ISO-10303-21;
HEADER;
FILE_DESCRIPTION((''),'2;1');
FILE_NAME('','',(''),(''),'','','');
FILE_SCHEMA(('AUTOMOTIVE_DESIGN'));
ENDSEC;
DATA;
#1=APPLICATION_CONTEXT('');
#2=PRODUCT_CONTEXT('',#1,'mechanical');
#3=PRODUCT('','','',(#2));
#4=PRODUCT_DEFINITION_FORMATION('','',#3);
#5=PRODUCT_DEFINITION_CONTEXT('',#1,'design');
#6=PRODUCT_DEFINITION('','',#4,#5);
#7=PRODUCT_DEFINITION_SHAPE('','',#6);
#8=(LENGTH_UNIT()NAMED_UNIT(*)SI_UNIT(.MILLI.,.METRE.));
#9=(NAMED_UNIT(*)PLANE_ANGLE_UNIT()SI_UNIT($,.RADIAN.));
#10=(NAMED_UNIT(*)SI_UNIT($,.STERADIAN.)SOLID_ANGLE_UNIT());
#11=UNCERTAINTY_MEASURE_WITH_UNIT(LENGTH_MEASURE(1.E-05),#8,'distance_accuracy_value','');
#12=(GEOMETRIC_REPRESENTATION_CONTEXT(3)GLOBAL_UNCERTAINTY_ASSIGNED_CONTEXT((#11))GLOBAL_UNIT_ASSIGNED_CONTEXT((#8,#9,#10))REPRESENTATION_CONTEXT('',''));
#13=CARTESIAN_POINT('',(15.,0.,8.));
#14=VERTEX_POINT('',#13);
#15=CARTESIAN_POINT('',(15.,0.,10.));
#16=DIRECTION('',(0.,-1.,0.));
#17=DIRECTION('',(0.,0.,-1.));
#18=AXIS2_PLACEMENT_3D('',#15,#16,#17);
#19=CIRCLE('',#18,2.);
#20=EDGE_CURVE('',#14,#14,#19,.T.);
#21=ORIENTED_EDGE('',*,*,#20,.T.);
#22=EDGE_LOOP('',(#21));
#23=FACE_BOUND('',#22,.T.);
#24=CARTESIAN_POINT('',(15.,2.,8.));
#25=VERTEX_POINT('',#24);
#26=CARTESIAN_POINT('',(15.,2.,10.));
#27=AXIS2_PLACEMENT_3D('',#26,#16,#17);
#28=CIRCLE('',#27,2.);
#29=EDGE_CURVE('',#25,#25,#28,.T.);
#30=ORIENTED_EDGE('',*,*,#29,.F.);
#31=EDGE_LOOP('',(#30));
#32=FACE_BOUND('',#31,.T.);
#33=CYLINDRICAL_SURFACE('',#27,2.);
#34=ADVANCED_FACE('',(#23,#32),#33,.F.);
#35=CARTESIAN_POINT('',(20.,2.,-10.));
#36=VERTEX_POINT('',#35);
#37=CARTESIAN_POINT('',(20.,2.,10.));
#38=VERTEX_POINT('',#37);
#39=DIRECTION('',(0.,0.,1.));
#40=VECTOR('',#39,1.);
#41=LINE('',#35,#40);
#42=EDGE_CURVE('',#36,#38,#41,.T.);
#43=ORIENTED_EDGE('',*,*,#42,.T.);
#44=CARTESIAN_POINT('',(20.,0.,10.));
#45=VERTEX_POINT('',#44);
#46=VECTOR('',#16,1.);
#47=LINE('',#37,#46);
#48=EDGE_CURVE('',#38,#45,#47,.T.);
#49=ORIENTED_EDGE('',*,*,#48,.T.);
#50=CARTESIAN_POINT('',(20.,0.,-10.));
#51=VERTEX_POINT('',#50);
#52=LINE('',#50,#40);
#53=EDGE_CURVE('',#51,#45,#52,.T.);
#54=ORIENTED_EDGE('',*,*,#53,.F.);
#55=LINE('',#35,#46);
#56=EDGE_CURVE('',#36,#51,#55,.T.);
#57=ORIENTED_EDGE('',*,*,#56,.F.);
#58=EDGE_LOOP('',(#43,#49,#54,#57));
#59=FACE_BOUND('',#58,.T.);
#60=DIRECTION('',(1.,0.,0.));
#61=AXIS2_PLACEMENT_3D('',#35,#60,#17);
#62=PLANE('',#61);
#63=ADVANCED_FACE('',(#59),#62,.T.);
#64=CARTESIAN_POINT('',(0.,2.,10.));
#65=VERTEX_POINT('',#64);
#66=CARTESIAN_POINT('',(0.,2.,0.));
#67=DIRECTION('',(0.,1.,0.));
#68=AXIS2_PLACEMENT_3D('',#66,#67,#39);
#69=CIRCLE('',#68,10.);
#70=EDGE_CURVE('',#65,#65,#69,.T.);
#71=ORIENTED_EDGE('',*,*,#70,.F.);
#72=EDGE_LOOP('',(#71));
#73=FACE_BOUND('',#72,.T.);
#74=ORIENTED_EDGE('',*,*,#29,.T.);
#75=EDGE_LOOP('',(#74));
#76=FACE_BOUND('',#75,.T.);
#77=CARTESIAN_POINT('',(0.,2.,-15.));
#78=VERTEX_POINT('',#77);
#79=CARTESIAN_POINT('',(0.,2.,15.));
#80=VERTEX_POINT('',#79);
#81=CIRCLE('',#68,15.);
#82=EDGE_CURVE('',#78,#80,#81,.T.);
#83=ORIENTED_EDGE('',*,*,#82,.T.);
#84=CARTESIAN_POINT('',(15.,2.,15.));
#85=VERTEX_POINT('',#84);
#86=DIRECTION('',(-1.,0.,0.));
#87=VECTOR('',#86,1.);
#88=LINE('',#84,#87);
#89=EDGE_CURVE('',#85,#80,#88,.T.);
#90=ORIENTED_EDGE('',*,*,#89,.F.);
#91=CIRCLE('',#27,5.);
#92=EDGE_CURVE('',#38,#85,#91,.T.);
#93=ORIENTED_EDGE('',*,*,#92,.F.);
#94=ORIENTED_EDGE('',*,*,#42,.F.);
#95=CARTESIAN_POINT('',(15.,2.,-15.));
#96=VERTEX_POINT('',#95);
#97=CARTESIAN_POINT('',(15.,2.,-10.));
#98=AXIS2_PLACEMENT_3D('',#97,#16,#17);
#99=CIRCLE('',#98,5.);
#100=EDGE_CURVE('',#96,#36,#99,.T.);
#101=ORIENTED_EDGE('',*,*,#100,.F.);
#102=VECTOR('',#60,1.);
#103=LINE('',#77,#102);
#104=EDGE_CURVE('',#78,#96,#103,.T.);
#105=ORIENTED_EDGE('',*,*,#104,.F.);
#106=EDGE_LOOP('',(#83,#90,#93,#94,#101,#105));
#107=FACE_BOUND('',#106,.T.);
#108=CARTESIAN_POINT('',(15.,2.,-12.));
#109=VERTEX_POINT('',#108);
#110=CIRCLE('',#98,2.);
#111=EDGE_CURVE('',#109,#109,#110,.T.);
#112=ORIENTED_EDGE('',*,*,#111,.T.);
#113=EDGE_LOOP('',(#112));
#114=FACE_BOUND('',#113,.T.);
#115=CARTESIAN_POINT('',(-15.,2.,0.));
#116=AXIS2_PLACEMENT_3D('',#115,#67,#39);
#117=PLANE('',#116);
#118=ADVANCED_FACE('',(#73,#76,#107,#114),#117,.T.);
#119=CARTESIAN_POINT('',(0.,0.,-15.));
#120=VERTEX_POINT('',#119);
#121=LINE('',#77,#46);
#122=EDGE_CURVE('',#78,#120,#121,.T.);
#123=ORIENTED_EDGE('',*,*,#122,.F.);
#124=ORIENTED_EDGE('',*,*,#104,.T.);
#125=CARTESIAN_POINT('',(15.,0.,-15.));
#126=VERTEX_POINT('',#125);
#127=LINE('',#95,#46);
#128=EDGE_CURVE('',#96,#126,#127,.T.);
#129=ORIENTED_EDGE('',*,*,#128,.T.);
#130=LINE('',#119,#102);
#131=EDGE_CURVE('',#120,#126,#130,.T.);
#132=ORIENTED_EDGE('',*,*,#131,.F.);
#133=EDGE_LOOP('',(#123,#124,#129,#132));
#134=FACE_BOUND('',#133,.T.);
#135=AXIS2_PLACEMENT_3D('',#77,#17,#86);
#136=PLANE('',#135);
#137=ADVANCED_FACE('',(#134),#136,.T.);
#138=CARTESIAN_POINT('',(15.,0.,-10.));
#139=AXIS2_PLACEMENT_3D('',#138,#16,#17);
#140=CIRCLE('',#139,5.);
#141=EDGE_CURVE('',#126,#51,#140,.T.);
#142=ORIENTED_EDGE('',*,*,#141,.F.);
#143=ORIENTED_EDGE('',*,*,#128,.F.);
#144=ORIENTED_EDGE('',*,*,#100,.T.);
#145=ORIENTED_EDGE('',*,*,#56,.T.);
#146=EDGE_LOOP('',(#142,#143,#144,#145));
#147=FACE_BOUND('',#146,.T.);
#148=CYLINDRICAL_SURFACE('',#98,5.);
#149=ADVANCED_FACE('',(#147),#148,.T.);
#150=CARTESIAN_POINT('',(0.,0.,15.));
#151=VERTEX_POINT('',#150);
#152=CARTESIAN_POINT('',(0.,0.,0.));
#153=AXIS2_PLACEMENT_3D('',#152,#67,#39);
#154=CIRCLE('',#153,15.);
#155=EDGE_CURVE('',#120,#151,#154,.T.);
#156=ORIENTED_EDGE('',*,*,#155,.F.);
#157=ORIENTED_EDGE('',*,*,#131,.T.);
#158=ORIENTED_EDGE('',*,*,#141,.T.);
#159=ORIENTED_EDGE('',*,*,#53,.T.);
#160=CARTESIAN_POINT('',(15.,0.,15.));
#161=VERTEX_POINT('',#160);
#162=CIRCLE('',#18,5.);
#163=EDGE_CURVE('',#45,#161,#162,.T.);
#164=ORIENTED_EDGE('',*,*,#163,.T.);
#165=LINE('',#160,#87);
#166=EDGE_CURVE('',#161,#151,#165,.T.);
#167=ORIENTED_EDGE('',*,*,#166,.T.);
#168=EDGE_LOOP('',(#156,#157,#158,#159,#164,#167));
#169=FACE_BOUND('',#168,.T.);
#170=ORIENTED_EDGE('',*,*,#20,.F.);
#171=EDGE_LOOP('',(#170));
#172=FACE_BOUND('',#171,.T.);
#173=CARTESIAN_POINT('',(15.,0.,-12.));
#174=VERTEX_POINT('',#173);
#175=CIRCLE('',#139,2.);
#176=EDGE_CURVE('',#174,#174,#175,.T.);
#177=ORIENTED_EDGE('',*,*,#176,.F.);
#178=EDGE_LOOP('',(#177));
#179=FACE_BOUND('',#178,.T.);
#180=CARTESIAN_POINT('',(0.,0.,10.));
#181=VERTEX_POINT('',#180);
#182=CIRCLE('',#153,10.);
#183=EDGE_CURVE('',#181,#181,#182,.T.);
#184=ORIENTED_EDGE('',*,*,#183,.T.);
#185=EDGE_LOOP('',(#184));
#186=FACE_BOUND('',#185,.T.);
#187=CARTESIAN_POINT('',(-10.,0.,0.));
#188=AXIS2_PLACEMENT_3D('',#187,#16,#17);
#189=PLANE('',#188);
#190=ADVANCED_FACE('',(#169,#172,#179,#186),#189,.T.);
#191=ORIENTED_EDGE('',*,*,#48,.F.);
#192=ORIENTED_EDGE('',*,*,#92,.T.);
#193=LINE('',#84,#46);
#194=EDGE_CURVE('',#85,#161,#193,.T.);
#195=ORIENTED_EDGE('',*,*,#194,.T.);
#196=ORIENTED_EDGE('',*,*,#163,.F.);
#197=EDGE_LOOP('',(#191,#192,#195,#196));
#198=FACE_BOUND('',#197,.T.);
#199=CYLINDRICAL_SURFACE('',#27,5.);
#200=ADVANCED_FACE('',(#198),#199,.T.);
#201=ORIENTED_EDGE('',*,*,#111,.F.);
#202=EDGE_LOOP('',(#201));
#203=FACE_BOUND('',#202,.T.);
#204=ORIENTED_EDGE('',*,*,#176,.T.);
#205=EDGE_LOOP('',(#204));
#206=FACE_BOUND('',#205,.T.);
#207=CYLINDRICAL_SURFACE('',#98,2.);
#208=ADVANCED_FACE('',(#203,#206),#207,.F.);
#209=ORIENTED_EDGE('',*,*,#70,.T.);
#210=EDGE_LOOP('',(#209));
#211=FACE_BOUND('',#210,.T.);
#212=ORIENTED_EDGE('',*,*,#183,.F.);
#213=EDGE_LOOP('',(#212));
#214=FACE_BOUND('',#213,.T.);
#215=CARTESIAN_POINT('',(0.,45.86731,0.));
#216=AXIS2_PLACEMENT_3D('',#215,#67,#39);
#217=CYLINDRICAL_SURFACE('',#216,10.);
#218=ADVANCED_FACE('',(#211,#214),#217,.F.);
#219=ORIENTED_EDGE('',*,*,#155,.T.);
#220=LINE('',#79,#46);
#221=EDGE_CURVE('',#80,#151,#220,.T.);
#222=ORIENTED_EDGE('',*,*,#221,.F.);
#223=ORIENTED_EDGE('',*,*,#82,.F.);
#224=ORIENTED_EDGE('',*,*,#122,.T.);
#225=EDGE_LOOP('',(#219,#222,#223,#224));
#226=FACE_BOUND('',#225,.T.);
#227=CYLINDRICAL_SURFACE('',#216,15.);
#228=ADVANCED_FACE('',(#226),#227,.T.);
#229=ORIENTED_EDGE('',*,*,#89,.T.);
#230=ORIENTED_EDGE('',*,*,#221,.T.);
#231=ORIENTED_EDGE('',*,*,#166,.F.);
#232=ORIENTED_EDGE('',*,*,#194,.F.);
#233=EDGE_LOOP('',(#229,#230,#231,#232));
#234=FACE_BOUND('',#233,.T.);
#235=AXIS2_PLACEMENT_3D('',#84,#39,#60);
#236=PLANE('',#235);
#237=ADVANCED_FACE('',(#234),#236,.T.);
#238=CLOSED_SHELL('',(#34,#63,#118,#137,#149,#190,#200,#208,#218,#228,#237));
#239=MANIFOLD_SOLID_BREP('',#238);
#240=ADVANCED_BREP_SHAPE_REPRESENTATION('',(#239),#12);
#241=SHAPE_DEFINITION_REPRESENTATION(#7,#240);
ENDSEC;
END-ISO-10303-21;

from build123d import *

# Parameters (mm, degrees)
BOSS_EXTRUDE1_START = -2
BOSS_EXTRUDE1_DEPTH = 2
SKETCH4_R           = 2
CUT_EXTRUDE1_DEPTH  = 2
SKETCH6_R           = 11
CUT_EXTRUDE2_DEPTH  = 1


with BuildPart() as part:
    # Sketch2 → Revolve1 (revolve)
    with BuildSketch(Plane.XY, mode=Mode.PRIVATE) as revolve1_sk:
        Polygon((-10, 3), (-10, 2), (-10, 0), (-15, 0), (-15, 2), (-11, 2), (-11, 3), align=None)
    revolve(revolve1_sk.sketch.rotate(Axis((0, 45.867309825, 0), (0, -1, 0)), 270), axis=Axis((0, 45.867309825, 0), (0, -1, 0)))

    # Sketch3 → Boss-Extrude1 (add)
    with BuildSketch(Plane.XZ.offset(BOSS_EXTRUDE1_START)):
        with BuildLine():
            Line((0, -15), (15, -15))
            ThreePointArc((15, -15), (18.535533906, -13.535533906), (20, -10))
            Line((20, -10), (20, 10))
            ThreePointArc((20, 10), (18.535533906, 13.535533906), (15, 15))
            Line((15, 15), (0, 15))
            ThreePointArc((0, 15), (15, 0), (0, -15))
        make_face()
    extrude(amount=BOSS_EXTRUDE1_DEPTH)

    # Sketch4 → Cut-Extrude1 (cut)
    with BuildSketch(Plane.XZ):
        with Locations(Location((15, 10, 0), (0, 0, 270))):
            Circle(SKETCH4_R)
        with Locations(Location((15, -10, 0), (0, 0, 270))):
            Circle(SKETCH4_R)
    extrude(amount=-CUT_EXTRUDE1_DEPTH, mode=Mode.SUBTRACT)

    # Sketch6 → Cut-Extrude2 (cut)
    with BuildSketch(Plane(origin=(0, 3, 0), x_dir=(1, 0, 0), z_dir=(0, 1, 0))):
        Circle(SKETCH6_R)
    extrude(amount=-CUT_EXTRUDE2_DEPTH, mode=Mode.SUBTRACT)


solid = part.part
